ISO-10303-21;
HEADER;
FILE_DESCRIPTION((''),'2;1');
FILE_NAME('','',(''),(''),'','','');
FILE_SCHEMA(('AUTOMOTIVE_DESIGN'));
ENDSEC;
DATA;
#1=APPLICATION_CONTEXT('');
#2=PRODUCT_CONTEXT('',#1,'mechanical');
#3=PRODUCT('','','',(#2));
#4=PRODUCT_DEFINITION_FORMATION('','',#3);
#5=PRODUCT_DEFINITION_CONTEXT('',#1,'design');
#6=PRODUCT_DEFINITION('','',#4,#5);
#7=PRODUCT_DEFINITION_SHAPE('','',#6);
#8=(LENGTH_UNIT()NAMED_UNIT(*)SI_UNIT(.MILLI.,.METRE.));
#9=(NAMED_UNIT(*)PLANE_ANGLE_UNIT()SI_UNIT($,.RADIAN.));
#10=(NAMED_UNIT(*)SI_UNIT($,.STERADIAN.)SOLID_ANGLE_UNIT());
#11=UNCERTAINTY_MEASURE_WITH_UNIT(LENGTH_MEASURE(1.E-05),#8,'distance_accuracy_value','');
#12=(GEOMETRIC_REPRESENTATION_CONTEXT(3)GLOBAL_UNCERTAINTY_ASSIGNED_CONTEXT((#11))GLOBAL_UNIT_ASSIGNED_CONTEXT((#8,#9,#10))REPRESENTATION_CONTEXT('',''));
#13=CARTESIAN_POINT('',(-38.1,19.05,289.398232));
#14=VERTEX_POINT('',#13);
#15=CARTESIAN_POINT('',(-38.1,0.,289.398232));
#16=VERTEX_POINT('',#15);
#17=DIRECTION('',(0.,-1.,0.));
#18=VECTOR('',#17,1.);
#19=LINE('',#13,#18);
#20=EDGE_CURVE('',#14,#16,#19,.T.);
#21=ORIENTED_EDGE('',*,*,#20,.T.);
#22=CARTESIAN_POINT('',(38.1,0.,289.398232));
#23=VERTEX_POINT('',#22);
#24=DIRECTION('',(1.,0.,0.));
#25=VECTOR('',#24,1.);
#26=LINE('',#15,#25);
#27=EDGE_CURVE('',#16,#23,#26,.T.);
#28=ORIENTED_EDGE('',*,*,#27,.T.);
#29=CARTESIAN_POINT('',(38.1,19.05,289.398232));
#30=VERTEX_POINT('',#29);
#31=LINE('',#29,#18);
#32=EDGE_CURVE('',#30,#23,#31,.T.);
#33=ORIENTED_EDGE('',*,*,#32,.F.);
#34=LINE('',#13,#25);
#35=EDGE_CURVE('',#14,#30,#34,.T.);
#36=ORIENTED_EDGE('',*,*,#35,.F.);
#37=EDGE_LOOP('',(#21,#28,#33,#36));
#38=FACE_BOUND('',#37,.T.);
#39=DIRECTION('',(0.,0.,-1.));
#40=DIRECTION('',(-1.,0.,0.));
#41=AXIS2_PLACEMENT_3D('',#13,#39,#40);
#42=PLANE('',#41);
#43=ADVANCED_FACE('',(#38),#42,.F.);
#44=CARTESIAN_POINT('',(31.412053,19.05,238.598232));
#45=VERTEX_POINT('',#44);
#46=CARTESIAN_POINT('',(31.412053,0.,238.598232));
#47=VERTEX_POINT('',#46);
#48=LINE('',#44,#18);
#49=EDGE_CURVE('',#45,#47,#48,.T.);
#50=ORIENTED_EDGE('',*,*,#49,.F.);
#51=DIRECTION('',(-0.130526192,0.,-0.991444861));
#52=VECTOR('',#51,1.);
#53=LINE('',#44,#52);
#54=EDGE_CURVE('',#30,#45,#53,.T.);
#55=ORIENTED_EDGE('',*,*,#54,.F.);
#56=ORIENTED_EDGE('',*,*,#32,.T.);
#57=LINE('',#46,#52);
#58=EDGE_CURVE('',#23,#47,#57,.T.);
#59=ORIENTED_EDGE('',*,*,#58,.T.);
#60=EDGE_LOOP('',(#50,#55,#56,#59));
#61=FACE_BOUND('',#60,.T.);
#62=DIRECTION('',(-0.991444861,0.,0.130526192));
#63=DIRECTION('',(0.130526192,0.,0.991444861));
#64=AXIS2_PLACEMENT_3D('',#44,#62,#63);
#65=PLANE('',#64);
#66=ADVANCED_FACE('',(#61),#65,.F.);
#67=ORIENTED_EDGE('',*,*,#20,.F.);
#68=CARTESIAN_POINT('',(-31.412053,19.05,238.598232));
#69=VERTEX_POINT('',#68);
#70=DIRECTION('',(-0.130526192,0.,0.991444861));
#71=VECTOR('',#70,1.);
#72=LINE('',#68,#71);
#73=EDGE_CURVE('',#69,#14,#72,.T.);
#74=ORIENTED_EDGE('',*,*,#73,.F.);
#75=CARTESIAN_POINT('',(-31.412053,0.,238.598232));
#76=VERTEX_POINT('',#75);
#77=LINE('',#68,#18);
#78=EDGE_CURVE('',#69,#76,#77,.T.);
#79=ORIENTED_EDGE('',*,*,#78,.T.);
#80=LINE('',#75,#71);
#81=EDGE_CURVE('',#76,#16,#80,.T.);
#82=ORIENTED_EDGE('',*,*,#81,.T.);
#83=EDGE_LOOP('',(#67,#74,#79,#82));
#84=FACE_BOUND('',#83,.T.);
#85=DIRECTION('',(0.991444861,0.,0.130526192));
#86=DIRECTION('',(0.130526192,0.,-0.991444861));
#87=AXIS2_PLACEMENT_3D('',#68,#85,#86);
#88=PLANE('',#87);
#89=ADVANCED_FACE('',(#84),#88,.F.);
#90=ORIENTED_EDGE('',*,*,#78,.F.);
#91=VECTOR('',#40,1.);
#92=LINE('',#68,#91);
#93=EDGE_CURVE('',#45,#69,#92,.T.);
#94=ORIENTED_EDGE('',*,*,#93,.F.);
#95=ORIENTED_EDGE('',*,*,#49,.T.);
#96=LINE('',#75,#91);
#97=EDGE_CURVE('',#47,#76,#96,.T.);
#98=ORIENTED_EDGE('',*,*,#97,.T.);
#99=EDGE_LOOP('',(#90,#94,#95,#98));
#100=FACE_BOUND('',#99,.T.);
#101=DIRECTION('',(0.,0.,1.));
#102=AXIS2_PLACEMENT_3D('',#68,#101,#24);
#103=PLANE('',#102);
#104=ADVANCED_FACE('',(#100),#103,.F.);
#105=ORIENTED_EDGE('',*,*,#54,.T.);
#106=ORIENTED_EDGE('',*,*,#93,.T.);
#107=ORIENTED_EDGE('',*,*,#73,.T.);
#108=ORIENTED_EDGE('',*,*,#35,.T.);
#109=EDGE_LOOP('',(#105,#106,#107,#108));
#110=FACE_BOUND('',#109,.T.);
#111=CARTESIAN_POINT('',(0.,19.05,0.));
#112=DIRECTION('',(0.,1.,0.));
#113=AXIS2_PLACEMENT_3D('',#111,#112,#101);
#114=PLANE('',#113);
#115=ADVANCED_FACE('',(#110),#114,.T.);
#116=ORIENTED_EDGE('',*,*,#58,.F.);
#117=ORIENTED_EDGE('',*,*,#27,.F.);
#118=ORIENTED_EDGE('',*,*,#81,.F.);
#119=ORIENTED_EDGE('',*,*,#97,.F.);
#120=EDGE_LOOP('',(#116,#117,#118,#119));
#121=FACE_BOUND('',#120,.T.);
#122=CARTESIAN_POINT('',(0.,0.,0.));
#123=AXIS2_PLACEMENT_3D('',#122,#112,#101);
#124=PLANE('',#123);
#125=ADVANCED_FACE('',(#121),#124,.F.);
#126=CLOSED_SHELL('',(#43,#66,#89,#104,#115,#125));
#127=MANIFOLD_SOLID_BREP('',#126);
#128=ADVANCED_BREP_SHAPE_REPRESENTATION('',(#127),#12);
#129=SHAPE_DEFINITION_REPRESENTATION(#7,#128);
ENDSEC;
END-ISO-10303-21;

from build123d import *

# Parameters (mm, degrees)
BOSS_EXTRUDE1_DEPTH = 19.05


with BuildPart() as part:
    # Sketch1 → Boss-Extrude1 (new body)
    with BuildSketch(Plane(origin=(0, 0, 0), x_dir=(1, 0, 0), z_dir=(0, 1, 0))):
        Polygon((-38.1, -289.398231695), (38.1, -289.398231695), (31.412053123, -238.598231695), (-31.412053123, -238.598231695), align=None)
    extrude(amount=BOSS_EXTRUDE1_DEPTH)


solid = part.part
